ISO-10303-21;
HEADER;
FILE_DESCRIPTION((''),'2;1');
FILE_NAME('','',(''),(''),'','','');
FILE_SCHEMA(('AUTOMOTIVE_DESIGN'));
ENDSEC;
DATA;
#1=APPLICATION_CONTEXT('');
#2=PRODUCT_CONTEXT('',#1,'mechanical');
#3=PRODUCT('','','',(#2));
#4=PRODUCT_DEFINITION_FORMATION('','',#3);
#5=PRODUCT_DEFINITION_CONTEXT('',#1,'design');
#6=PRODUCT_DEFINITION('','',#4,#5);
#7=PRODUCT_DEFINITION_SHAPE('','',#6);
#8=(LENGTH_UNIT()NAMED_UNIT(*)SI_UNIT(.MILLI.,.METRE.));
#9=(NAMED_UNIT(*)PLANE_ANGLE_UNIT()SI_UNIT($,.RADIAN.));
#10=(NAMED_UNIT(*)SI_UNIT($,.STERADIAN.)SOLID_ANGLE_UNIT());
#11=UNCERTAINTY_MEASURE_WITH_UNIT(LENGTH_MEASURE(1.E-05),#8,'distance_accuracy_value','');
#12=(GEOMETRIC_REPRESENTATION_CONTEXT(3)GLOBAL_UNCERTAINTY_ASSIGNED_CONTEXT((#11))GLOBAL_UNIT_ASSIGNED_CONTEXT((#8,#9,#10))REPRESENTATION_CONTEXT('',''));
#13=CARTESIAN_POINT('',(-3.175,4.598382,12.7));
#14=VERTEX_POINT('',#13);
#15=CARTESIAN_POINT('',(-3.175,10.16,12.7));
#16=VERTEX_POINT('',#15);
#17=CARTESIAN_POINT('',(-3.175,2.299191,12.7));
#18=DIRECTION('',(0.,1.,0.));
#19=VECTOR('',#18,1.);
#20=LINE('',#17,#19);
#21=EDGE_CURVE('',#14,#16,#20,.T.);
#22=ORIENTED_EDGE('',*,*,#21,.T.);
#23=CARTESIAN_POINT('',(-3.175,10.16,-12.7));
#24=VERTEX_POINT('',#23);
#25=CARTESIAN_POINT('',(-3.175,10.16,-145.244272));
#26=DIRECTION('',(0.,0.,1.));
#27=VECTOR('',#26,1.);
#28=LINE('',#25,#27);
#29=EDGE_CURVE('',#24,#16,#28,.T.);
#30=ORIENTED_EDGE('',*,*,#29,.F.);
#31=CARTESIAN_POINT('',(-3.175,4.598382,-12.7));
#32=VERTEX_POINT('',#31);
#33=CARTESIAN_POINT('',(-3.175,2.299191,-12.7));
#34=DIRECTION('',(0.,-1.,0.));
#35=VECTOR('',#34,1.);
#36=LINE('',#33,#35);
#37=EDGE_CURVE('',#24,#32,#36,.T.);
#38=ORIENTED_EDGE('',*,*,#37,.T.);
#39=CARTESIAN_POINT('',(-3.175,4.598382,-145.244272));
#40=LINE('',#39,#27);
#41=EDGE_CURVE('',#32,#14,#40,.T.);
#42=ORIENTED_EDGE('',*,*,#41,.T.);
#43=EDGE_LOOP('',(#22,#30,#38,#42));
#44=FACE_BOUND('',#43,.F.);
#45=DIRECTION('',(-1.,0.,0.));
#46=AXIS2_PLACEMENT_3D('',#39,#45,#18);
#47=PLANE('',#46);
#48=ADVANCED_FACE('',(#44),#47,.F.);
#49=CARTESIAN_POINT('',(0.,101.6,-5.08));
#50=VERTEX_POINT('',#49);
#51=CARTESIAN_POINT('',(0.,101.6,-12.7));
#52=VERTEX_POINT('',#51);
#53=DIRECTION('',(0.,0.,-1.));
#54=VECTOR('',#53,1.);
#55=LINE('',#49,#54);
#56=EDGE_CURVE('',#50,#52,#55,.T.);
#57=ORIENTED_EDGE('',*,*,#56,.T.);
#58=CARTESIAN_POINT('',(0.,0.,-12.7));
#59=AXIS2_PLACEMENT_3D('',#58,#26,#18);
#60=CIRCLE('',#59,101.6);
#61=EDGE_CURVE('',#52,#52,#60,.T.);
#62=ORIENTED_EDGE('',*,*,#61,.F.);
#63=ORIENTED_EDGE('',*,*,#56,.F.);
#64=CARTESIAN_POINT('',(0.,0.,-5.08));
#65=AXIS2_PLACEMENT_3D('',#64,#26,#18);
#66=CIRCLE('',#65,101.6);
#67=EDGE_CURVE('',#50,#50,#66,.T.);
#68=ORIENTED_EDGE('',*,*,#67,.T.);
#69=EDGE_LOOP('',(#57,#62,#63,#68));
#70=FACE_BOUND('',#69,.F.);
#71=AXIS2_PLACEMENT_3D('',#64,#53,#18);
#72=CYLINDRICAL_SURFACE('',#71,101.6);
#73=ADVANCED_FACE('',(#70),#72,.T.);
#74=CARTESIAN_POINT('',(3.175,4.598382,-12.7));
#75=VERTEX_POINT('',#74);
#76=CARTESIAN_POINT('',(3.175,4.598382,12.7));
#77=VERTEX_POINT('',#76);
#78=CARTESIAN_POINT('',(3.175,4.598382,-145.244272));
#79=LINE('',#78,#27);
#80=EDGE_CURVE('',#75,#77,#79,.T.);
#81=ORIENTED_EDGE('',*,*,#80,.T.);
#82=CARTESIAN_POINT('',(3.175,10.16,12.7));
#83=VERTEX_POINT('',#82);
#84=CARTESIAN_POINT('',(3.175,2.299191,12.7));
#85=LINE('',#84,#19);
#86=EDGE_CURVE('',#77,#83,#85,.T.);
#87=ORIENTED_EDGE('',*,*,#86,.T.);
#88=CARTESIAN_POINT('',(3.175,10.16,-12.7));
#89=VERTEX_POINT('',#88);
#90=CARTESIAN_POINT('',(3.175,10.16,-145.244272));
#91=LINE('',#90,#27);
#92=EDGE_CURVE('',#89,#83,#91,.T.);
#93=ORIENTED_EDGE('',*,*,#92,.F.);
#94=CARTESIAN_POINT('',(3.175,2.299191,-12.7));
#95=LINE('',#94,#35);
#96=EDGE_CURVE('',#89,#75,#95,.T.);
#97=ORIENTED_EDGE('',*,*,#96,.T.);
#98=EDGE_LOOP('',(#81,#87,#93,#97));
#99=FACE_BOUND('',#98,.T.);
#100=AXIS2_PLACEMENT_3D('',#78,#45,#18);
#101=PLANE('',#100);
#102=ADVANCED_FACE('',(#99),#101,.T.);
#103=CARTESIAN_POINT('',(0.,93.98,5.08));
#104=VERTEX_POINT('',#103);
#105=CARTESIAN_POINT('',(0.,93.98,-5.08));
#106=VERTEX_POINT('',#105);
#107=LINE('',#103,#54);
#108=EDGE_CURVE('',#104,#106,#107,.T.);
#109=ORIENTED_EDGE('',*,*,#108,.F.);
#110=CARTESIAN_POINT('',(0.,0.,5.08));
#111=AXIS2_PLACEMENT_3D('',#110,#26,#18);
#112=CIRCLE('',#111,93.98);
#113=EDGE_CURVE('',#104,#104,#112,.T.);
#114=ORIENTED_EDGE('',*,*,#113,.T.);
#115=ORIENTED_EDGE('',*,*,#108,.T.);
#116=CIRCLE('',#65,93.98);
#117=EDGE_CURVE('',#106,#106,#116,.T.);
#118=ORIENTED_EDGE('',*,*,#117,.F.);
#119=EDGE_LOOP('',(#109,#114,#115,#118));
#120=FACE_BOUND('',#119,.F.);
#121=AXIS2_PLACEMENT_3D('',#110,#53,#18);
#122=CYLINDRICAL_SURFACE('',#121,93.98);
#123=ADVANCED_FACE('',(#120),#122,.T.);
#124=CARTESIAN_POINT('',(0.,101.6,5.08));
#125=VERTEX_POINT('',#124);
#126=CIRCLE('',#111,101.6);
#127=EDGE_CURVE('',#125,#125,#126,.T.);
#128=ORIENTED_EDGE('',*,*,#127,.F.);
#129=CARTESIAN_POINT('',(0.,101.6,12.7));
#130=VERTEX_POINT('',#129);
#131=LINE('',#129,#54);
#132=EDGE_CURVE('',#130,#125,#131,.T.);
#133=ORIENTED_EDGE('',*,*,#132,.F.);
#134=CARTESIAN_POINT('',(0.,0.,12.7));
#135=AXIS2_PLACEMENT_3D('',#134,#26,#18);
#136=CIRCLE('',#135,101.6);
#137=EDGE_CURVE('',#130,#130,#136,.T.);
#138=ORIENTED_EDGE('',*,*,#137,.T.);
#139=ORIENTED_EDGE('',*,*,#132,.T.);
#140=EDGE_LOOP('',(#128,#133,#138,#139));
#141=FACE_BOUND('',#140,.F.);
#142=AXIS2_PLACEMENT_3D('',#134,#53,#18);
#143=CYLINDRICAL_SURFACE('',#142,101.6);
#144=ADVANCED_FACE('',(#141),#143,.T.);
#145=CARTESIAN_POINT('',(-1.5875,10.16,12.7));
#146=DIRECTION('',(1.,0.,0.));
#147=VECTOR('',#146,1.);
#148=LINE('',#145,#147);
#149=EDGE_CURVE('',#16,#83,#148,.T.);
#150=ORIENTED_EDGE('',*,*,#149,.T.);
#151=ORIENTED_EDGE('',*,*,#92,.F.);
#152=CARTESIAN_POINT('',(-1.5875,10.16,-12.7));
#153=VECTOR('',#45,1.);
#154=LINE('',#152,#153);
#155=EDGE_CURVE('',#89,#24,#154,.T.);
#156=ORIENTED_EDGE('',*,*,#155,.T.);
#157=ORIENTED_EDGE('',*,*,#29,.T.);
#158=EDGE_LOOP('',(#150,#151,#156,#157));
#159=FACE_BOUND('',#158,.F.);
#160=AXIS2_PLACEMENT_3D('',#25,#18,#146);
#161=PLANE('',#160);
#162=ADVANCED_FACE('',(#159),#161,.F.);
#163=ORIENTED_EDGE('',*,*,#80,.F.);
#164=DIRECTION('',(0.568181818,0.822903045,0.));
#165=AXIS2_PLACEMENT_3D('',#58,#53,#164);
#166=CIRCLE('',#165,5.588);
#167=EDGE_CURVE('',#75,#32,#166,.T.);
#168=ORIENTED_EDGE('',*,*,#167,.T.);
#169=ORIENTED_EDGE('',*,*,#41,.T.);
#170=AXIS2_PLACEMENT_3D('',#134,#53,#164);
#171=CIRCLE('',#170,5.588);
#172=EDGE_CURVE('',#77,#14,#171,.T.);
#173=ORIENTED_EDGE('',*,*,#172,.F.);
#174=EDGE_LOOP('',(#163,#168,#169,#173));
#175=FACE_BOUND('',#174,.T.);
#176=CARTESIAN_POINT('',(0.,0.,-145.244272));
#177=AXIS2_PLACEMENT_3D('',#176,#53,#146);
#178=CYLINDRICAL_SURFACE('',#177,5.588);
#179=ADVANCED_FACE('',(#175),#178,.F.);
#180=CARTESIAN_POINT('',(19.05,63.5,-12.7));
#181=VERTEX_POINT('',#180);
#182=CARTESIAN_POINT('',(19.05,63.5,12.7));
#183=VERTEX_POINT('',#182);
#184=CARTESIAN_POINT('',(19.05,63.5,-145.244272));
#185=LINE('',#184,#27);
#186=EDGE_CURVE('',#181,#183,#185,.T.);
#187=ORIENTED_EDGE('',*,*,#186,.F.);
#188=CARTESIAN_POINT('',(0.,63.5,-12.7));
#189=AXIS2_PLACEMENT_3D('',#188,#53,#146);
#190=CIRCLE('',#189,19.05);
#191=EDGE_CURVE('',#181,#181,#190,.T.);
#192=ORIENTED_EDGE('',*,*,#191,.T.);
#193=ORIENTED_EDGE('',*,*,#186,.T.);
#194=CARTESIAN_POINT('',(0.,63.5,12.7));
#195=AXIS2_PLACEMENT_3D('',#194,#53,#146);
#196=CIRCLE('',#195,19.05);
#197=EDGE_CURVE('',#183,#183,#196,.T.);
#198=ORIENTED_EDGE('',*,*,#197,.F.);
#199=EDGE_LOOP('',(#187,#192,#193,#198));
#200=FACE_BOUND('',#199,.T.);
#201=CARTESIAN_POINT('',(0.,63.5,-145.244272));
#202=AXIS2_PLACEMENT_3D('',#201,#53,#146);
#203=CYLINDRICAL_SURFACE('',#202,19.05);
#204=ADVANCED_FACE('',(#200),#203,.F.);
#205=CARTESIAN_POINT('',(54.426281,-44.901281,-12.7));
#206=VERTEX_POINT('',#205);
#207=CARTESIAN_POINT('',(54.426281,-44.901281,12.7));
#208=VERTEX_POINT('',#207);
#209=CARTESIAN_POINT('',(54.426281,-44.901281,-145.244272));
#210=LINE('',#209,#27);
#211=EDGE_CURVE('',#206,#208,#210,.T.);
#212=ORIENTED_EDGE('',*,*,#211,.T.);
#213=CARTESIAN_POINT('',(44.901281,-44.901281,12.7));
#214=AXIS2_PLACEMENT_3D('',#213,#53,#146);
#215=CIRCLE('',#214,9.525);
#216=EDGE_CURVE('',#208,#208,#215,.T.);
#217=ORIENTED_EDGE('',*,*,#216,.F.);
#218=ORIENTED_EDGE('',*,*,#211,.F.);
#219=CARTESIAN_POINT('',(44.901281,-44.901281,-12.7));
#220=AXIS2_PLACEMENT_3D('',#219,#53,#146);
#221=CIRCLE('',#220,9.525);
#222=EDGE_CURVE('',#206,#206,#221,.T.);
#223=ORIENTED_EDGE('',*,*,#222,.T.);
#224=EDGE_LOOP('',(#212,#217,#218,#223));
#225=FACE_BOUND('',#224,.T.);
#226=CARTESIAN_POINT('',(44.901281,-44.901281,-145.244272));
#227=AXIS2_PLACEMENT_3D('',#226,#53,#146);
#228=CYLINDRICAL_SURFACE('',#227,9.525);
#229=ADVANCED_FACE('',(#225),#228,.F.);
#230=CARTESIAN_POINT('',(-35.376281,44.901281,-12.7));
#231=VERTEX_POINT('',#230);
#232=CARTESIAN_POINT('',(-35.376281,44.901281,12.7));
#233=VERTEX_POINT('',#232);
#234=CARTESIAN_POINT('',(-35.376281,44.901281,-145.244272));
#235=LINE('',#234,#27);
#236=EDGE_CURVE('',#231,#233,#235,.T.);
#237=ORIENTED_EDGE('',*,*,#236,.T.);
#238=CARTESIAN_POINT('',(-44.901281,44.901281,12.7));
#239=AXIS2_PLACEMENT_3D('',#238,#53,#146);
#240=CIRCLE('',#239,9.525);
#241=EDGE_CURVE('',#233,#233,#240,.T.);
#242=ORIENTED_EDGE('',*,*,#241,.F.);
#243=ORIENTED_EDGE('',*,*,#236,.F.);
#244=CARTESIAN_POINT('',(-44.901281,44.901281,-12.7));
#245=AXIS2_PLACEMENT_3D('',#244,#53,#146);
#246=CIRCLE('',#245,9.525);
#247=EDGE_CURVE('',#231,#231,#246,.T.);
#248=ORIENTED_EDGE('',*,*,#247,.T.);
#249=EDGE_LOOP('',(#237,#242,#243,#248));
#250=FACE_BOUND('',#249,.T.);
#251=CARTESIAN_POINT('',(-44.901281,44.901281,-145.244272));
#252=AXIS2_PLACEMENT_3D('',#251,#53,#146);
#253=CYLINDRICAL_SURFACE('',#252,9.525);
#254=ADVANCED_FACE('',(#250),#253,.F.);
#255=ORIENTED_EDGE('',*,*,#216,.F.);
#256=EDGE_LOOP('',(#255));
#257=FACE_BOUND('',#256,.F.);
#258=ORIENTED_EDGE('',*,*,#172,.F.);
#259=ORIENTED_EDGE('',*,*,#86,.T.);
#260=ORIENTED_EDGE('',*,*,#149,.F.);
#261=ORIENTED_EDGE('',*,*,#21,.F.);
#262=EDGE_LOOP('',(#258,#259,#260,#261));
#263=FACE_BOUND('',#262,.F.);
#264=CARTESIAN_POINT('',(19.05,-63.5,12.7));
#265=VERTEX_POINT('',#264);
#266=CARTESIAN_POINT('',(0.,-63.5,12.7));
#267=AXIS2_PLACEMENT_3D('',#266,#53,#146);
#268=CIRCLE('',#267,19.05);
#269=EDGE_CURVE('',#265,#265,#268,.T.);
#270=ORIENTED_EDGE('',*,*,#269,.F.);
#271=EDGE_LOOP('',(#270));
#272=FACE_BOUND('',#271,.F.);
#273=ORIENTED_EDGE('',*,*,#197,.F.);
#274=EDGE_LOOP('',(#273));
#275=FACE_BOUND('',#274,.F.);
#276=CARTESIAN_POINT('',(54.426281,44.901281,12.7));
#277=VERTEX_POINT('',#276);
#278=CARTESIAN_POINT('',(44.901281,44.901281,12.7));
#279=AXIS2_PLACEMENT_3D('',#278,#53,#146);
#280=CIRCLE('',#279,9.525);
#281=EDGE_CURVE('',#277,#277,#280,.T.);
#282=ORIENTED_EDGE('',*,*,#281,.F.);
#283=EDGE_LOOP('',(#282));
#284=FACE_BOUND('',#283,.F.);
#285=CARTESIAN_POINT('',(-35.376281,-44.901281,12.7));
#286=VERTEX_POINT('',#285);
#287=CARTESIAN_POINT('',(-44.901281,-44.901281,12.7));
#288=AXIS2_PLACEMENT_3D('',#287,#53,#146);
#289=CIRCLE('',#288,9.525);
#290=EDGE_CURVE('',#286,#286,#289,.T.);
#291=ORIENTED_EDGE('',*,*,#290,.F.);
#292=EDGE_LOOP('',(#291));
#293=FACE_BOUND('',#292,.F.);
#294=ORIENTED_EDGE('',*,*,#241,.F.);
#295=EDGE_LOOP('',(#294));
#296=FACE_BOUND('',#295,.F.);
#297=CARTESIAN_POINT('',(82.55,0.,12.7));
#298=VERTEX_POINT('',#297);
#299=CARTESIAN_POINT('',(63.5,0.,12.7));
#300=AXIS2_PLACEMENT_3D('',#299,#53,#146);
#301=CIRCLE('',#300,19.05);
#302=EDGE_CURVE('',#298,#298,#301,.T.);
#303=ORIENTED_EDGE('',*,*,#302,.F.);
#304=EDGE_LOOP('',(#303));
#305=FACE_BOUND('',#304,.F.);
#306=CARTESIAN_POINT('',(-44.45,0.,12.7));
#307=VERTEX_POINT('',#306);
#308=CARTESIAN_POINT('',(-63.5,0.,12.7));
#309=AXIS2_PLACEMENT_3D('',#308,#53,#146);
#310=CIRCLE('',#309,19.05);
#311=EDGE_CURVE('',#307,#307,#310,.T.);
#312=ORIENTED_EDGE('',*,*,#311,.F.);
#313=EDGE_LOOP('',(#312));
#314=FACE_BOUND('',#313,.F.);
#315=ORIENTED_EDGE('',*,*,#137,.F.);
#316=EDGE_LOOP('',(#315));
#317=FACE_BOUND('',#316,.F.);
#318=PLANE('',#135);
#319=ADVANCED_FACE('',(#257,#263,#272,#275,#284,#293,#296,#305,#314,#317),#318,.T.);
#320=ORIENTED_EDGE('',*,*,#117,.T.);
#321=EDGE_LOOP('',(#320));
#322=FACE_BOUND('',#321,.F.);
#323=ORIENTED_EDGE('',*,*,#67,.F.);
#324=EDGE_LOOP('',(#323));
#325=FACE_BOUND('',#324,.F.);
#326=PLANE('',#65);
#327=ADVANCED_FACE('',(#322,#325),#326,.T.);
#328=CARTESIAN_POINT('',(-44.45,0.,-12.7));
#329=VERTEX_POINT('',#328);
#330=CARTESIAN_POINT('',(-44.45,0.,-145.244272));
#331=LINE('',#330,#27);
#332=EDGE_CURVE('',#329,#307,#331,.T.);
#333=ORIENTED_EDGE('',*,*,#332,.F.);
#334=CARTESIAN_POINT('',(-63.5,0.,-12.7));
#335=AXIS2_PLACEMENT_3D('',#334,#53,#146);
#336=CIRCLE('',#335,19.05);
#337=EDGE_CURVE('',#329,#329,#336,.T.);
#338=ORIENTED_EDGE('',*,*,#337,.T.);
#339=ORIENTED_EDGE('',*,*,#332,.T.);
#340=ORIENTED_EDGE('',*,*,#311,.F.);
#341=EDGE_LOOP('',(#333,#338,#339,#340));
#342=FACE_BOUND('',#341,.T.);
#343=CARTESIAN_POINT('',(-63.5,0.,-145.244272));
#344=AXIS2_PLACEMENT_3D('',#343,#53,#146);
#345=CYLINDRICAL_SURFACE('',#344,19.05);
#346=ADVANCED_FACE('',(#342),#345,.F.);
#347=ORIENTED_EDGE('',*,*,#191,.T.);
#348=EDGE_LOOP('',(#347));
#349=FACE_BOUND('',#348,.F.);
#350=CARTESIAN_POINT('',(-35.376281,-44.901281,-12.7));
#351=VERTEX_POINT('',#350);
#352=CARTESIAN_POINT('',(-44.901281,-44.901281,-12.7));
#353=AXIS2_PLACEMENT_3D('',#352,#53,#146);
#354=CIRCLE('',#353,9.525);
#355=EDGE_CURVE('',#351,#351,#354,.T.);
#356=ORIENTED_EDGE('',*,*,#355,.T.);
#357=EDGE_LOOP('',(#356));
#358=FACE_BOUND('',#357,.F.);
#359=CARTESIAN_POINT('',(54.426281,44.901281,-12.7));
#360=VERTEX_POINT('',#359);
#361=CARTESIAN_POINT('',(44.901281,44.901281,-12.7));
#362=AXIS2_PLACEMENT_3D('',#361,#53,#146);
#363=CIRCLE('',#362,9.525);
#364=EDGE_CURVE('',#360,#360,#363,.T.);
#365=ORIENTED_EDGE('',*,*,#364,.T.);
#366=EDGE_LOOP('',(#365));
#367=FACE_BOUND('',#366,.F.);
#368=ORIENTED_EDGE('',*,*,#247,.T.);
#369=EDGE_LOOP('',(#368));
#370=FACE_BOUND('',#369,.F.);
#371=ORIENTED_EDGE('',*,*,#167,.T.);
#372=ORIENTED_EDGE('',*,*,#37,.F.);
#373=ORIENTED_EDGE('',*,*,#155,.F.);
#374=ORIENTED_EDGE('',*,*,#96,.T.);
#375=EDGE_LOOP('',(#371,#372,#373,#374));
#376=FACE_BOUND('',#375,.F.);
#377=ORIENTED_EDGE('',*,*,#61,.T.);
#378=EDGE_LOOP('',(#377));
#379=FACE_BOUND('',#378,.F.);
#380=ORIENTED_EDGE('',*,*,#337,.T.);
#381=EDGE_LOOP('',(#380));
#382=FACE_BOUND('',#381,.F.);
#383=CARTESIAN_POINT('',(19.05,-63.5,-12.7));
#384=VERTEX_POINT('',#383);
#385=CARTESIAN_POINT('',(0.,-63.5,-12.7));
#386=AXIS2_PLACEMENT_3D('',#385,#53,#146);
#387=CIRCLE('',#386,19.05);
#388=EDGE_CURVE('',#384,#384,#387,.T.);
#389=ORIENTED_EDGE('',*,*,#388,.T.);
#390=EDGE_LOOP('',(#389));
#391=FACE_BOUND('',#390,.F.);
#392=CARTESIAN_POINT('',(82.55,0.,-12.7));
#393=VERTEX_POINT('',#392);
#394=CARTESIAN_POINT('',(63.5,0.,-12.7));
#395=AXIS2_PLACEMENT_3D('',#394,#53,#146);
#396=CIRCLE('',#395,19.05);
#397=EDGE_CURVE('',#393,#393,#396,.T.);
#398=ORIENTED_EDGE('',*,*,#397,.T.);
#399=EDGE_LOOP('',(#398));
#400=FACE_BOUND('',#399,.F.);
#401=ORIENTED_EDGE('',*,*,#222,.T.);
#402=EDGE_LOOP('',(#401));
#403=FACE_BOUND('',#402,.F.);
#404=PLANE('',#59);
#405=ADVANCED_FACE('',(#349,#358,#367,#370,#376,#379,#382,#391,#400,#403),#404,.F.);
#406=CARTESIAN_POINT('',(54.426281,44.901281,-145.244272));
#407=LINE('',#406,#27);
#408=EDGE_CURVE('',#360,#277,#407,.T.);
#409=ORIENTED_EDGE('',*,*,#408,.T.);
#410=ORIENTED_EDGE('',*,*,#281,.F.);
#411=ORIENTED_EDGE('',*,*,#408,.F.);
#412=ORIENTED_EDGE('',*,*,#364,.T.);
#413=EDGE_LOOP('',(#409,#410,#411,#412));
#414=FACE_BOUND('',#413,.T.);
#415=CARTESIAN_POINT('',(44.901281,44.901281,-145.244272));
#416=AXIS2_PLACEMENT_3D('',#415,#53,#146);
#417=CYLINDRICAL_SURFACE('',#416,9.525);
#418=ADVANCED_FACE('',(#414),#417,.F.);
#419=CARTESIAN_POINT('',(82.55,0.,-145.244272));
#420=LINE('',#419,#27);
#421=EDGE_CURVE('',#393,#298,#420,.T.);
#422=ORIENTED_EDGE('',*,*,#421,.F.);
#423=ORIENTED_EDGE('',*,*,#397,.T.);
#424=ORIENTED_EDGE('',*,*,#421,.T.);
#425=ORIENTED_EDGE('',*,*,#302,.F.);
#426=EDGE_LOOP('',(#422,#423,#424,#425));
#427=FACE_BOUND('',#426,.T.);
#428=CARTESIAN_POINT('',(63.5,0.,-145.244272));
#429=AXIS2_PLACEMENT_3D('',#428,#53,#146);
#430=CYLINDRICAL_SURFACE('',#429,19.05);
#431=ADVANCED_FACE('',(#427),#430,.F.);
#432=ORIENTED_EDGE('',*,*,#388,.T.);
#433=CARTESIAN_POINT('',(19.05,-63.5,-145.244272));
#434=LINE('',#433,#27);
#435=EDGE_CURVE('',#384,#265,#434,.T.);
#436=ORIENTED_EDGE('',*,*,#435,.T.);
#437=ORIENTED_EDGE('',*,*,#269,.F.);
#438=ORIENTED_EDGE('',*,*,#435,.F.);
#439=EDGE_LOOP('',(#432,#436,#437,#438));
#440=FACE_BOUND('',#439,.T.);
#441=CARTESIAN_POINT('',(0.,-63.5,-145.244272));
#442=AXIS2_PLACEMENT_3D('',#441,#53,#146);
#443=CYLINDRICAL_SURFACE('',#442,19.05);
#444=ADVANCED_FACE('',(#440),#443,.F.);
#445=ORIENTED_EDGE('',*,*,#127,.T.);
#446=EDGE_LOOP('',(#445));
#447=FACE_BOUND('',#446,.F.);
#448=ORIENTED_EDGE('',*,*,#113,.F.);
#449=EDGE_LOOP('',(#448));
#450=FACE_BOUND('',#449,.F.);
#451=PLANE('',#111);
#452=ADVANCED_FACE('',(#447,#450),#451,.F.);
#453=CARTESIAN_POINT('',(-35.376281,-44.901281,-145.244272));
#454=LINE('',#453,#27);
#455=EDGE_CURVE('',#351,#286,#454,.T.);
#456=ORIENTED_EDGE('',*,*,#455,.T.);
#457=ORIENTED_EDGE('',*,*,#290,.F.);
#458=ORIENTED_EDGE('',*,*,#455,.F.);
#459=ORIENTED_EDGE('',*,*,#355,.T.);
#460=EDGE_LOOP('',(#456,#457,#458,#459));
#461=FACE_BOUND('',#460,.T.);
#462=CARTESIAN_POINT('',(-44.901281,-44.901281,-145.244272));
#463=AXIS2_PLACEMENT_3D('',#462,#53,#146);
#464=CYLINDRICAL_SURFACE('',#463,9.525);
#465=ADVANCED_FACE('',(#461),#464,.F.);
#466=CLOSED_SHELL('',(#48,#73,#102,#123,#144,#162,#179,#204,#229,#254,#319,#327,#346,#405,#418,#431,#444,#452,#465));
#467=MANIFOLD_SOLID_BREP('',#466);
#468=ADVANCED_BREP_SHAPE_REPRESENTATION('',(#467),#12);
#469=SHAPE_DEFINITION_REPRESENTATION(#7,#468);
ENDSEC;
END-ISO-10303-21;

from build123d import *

# Parameters (mm, degrees)
CUT_EXTRUDE1_DEPTH      = 145.244271983
CUT_EXTRUDE1_DEPTH_BACK = 145.244271983
SKETCH5_R               = 19.05
SKETCH5_R_2             = 9.525
CUT_EXTRUDE5_DEPTH      = 145.244271983
CUT_EXTRUDE5_DEPTH_BACK = 145.244271983
SKETCH6_R               = 5.588
CUT_EXTRUDE6_DEPTH      = 145.244271983
CUT_EXTRUDE6_DEPTH_BACK = 145.244271983
SKETCH8_W               = 6.35
SKETCH8_H               = 5.561617784


with BuildPart() as part:
    # Sketch1 → Revolve2 (revolve)
    with BuildSketch(Plane(origin=(0, 0, 0), x_dir=(0, 0, -1), z_dir=(1, 0, 0))):
        Polygon((0, 0), (-12.7, 0), (-12.7, 101.6), (-5.08, 101.6), (-5.08, 93.98), (5.08, 93.98), (5.08, 101.6), (12.7, 101.6), (12.7, 0), align=None)
    revolve(axis=Axis((0, 0, 0), (0, 0, 1)))

    # Sketch5 → Cut-Extrude1 (cut, two sides: drawn at the far end of the back side and taken through both)
    with BuildSketch(Plane.XY.offset(-CUT_EXTRUDE1_DEPTH_BACK)):
        with Locations((0, -63.5)):
            Circle(SKETCH5_R)
        with Locations((44.901280605, -44.901280605)):
            Circle(SKETCH5_R_2)
        with Locations((-63.5, 0)):
            Circle(SKETCH5_R)
        with Locations((-44.901280605, -44.901280605)):
            Circle(SKETCH5_R_2)
        with Locations((0, 63.5)):
            Circle(SKETCH5_R)
        with Locations((-44.901280605, 44.901280605)):
            Circle(SKETCH5_R_2)
        with Locations((63.5, 0)):
            Circle(SKETCH5_R)
        with Locations((44.901280605, 44.901280605)):
            Circle(SKETCH5_R_2)
    extrude(amount=CUT_EXTRUDE1_DEPTH + CUT_EXTRUDE1_DEPTH_BACK, mode=Mode.SUBTRACT)

    # Sketch6 → Cut-Extrude5 (cut, two sides: drawn at the far end of the back side and taken through both)
    with BuildSketch(Plane.XY.offset(-CUT_EXTRUDE5_DEPTH_BACK)):
        Circle(SKETCH6_R)
    extrude(amount=CUT_EXTRUDE5_DEPTH + CUT_EXTRUDE5_DEPTH_BACK, mode=Mode.SUBTRACT)

    # Sketch8 → Cut-Extrude6 (cut, two sides: drawn at the far end of the back side and taken through both)
    with BuildSketch(Plane.XY.offset(-CUT_EXTRUDE6_DEPTH_BACK)):
        with Locations((0, 7.379191108)):
            Rectangle(SKETCH8_W, SKETCH8_H)
    extrude(amount=CUT_EXTRUDE6_DEPTH + CUT_EXTRUDE6_DEPTH_BACK, mode=Mode.SUBTRACT)


solid = part.part
